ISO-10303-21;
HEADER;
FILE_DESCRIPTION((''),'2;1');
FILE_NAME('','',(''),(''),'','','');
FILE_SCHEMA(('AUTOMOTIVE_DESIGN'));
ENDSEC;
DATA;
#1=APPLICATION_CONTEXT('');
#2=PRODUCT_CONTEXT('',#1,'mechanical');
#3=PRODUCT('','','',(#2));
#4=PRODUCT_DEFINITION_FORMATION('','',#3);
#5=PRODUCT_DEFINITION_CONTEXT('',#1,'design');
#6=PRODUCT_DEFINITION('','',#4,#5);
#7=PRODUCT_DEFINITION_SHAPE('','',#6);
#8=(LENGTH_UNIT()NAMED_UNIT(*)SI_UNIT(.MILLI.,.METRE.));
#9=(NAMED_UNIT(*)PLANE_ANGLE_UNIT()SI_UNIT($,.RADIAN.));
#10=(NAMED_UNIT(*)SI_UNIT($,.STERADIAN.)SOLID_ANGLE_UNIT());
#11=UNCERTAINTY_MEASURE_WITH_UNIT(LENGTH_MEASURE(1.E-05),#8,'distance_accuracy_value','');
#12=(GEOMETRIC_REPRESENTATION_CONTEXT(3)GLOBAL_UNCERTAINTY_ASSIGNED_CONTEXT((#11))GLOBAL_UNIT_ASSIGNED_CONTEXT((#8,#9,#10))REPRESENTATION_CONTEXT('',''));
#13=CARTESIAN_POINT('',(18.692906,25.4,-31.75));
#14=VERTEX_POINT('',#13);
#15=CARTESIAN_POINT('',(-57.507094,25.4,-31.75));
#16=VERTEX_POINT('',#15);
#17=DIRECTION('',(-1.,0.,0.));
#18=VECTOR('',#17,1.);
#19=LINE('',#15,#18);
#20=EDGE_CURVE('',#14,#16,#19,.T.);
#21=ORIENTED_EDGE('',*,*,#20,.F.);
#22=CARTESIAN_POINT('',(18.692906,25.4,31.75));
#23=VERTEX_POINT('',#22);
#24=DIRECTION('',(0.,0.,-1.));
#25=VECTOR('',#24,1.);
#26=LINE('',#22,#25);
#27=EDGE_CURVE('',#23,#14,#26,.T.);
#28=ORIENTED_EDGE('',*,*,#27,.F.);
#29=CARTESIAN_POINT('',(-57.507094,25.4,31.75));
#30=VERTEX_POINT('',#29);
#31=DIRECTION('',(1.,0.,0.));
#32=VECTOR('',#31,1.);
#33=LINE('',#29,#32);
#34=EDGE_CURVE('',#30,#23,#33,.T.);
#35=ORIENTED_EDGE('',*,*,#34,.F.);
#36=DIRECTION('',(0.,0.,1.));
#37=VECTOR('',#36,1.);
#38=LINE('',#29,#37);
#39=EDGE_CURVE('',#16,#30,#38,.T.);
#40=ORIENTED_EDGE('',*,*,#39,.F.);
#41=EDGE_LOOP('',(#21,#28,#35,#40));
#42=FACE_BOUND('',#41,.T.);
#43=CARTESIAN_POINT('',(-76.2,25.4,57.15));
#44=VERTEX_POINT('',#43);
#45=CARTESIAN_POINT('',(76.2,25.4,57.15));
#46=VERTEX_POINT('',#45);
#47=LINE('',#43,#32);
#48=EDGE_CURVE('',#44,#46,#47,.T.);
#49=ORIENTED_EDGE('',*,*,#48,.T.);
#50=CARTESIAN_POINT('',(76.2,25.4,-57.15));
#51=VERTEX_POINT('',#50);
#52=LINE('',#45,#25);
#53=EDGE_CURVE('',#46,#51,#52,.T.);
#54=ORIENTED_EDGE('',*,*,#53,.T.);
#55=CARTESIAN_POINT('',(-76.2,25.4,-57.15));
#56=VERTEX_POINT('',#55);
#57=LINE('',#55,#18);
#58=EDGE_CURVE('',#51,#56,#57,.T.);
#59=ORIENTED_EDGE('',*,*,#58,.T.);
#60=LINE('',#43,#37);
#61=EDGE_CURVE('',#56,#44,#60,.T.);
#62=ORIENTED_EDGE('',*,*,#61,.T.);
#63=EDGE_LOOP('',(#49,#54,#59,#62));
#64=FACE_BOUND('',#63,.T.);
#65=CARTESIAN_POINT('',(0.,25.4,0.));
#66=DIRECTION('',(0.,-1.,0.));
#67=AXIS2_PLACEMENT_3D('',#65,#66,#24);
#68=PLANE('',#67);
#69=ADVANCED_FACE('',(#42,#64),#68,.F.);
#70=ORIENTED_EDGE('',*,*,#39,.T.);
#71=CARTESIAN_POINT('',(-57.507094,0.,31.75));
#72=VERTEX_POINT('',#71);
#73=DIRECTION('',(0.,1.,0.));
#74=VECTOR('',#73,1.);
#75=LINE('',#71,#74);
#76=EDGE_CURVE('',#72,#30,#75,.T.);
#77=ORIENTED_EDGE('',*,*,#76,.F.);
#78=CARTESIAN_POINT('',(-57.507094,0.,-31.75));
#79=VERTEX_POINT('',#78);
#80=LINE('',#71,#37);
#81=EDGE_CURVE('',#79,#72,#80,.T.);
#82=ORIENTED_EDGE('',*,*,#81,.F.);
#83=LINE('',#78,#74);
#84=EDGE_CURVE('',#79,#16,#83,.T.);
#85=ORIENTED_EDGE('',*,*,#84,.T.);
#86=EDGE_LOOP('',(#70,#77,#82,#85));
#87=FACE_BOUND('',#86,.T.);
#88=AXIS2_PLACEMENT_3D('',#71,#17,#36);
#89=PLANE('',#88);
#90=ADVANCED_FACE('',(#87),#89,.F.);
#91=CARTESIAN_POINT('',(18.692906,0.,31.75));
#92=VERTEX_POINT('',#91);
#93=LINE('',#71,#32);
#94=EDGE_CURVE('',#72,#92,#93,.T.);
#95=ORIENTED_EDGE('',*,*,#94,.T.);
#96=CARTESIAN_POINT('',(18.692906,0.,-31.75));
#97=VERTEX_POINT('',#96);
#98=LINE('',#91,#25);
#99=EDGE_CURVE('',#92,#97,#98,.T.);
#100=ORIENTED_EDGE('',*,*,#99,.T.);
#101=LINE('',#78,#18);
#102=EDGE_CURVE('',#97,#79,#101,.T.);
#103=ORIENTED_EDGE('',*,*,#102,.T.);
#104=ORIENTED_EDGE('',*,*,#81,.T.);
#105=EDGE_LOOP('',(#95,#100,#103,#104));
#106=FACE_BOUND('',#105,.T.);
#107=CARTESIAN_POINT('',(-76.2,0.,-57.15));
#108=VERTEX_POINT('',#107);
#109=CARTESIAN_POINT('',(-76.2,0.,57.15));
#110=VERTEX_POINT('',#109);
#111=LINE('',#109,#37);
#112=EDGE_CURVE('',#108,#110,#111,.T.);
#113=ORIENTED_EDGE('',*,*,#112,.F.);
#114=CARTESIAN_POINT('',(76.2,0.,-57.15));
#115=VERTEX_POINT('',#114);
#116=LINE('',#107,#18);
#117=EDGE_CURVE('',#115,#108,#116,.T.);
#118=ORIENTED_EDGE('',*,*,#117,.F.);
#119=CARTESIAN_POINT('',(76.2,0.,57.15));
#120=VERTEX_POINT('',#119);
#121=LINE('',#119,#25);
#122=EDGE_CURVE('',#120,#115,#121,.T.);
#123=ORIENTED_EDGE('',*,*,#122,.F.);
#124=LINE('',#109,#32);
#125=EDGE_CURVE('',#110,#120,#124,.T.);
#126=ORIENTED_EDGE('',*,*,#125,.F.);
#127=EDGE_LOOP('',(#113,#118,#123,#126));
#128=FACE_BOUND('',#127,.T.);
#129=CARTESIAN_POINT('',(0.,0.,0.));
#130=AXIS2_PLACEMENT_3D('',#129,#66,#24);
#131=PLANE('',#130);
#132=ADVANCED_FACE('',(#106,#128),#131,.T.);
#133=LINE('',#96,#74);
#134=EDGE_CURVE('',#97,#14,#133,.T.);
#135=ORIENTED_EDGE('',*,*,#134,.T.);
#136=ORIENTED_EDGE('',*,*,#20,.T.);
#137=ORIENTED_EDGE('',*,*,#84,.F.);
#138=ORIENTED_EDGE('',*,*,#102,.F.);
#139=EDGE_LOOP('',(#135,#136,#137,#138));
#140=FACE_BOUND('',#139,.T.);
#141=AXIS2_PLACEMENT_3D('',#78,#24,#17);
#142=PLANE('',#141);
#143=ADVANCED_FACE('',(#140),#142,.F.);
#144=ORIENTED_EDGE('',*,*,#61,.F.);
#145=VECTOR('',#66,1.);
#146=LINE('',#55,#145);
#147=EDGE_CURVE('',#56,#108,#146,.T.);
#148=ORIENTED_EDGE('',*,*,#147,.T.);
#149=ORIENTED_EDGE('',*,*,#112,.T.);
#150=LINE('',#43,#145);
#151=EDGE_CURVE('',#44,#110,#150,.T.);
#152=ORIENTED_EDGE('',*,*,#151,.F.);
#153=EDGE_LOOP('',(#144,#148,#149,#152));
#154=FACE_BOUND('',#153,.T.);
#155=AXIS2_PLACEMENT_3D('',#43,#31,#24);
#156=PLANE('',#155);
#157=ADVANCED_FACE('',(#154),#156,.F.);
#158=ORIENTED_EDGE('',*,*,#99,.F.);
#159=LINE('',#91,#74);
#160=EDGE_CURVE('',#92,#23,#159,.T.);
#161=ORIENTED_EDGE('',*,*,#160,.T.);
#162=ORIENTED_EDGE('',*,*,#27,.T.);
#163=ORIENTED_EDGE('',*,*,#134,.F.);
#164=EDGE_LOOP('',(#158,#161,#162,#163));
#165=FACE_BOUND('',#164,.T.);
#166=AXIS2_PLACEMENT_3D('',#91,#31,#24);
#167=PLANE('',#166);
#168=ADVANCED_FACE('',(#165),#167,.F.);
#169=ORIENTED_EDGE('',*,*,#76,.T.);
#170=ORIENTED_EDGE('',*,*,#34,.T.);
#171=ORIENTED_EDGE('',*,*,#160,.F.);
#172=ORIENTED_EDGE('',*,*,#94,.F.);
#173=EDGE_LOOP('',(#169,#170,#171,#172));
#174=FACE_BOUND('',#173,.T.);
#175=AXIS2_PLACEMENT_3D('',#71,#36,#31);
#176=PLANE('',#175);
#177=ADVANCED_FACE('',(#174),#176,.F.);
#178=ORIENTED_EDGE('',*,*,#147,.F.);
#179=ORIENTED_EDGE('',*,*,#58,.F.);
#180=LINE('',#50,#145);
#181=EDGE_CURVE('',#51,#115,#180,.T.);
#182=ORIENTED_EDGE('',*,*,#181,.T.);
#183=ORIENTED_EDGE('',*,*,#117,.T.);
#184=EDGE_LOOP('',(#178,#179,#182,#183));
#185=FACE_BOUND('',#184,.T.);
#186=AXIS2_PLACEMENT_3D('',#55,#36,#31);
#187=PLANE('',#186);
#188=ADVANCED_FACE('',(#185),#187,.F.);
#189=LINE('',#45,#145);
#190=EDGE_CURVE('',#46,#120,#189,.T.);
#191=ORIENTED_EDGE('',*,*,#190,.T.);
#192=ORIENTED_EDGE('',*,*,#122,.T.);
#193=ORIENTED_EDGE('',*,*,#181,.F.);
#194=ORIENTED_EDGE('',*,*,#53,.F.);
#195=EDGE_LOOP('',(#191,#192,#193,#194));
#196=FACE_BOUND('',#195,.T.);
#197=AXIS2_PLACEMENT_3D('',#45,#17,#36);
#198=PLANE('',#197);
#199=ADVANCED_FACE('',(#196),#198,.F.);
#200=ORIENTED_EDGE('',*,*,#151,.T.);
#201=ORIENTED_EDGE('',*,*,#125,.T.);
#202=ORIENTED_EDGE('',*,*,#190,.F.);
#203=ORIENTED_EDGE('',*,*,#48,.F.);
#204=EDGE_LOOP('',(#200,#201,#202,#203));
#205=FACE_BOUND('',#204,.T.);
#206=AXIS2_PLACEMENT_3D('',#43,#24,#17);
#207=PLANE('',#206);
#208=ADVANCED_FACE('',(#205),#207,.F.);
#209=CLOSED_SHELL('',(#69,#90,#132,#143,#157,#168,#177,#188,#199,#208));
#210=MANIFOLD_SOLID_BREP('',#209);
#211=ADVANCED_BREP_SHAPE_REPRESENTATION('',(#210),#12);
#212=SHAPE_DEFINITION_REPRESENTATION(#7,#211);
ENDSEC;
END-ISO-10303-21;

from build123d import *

# Parameters (mm, degrees)
SKETCH1_W           = 152.4
SKETCH1_H           = 114.3
BOSS_EXTRUDE1_DEPTH = 25.4
SKETCH2_W           = 76.2
SKETCH2_H           = 63.5
CUT_EXTRUDE1_DEPTH  = 99.578509321


with BuildPart() as part:
    # Sketch1 → Boss-Extrude1 (new body)
    with BuildSketch(Plane(origin=(0, 0, 0), x_dir=(1, 0, 0), z_dir=(0, 1, 0))):
        Rectangle(SKETCH1_W, SKETCH1_H)
    extrude(amount=BOSS_EXTRUDE1_DEPTH)

    # Sketch2 → Cut-Extrude1 (cut, through all)
    with BuildSketch(Plane(origin=(0, 25.4, 0), x_dir=(1, 0, 0), z_dir=(0, 1, 0))):
        with Locations((-19.407094153, 0)):
            Rectangle(SKETCH2_W, SKETCH2_H)
    extrude(amount=-CUT_EXTRUDE1_DEPTH, mode=Mode.SUBTRACT)


solid = part.part
